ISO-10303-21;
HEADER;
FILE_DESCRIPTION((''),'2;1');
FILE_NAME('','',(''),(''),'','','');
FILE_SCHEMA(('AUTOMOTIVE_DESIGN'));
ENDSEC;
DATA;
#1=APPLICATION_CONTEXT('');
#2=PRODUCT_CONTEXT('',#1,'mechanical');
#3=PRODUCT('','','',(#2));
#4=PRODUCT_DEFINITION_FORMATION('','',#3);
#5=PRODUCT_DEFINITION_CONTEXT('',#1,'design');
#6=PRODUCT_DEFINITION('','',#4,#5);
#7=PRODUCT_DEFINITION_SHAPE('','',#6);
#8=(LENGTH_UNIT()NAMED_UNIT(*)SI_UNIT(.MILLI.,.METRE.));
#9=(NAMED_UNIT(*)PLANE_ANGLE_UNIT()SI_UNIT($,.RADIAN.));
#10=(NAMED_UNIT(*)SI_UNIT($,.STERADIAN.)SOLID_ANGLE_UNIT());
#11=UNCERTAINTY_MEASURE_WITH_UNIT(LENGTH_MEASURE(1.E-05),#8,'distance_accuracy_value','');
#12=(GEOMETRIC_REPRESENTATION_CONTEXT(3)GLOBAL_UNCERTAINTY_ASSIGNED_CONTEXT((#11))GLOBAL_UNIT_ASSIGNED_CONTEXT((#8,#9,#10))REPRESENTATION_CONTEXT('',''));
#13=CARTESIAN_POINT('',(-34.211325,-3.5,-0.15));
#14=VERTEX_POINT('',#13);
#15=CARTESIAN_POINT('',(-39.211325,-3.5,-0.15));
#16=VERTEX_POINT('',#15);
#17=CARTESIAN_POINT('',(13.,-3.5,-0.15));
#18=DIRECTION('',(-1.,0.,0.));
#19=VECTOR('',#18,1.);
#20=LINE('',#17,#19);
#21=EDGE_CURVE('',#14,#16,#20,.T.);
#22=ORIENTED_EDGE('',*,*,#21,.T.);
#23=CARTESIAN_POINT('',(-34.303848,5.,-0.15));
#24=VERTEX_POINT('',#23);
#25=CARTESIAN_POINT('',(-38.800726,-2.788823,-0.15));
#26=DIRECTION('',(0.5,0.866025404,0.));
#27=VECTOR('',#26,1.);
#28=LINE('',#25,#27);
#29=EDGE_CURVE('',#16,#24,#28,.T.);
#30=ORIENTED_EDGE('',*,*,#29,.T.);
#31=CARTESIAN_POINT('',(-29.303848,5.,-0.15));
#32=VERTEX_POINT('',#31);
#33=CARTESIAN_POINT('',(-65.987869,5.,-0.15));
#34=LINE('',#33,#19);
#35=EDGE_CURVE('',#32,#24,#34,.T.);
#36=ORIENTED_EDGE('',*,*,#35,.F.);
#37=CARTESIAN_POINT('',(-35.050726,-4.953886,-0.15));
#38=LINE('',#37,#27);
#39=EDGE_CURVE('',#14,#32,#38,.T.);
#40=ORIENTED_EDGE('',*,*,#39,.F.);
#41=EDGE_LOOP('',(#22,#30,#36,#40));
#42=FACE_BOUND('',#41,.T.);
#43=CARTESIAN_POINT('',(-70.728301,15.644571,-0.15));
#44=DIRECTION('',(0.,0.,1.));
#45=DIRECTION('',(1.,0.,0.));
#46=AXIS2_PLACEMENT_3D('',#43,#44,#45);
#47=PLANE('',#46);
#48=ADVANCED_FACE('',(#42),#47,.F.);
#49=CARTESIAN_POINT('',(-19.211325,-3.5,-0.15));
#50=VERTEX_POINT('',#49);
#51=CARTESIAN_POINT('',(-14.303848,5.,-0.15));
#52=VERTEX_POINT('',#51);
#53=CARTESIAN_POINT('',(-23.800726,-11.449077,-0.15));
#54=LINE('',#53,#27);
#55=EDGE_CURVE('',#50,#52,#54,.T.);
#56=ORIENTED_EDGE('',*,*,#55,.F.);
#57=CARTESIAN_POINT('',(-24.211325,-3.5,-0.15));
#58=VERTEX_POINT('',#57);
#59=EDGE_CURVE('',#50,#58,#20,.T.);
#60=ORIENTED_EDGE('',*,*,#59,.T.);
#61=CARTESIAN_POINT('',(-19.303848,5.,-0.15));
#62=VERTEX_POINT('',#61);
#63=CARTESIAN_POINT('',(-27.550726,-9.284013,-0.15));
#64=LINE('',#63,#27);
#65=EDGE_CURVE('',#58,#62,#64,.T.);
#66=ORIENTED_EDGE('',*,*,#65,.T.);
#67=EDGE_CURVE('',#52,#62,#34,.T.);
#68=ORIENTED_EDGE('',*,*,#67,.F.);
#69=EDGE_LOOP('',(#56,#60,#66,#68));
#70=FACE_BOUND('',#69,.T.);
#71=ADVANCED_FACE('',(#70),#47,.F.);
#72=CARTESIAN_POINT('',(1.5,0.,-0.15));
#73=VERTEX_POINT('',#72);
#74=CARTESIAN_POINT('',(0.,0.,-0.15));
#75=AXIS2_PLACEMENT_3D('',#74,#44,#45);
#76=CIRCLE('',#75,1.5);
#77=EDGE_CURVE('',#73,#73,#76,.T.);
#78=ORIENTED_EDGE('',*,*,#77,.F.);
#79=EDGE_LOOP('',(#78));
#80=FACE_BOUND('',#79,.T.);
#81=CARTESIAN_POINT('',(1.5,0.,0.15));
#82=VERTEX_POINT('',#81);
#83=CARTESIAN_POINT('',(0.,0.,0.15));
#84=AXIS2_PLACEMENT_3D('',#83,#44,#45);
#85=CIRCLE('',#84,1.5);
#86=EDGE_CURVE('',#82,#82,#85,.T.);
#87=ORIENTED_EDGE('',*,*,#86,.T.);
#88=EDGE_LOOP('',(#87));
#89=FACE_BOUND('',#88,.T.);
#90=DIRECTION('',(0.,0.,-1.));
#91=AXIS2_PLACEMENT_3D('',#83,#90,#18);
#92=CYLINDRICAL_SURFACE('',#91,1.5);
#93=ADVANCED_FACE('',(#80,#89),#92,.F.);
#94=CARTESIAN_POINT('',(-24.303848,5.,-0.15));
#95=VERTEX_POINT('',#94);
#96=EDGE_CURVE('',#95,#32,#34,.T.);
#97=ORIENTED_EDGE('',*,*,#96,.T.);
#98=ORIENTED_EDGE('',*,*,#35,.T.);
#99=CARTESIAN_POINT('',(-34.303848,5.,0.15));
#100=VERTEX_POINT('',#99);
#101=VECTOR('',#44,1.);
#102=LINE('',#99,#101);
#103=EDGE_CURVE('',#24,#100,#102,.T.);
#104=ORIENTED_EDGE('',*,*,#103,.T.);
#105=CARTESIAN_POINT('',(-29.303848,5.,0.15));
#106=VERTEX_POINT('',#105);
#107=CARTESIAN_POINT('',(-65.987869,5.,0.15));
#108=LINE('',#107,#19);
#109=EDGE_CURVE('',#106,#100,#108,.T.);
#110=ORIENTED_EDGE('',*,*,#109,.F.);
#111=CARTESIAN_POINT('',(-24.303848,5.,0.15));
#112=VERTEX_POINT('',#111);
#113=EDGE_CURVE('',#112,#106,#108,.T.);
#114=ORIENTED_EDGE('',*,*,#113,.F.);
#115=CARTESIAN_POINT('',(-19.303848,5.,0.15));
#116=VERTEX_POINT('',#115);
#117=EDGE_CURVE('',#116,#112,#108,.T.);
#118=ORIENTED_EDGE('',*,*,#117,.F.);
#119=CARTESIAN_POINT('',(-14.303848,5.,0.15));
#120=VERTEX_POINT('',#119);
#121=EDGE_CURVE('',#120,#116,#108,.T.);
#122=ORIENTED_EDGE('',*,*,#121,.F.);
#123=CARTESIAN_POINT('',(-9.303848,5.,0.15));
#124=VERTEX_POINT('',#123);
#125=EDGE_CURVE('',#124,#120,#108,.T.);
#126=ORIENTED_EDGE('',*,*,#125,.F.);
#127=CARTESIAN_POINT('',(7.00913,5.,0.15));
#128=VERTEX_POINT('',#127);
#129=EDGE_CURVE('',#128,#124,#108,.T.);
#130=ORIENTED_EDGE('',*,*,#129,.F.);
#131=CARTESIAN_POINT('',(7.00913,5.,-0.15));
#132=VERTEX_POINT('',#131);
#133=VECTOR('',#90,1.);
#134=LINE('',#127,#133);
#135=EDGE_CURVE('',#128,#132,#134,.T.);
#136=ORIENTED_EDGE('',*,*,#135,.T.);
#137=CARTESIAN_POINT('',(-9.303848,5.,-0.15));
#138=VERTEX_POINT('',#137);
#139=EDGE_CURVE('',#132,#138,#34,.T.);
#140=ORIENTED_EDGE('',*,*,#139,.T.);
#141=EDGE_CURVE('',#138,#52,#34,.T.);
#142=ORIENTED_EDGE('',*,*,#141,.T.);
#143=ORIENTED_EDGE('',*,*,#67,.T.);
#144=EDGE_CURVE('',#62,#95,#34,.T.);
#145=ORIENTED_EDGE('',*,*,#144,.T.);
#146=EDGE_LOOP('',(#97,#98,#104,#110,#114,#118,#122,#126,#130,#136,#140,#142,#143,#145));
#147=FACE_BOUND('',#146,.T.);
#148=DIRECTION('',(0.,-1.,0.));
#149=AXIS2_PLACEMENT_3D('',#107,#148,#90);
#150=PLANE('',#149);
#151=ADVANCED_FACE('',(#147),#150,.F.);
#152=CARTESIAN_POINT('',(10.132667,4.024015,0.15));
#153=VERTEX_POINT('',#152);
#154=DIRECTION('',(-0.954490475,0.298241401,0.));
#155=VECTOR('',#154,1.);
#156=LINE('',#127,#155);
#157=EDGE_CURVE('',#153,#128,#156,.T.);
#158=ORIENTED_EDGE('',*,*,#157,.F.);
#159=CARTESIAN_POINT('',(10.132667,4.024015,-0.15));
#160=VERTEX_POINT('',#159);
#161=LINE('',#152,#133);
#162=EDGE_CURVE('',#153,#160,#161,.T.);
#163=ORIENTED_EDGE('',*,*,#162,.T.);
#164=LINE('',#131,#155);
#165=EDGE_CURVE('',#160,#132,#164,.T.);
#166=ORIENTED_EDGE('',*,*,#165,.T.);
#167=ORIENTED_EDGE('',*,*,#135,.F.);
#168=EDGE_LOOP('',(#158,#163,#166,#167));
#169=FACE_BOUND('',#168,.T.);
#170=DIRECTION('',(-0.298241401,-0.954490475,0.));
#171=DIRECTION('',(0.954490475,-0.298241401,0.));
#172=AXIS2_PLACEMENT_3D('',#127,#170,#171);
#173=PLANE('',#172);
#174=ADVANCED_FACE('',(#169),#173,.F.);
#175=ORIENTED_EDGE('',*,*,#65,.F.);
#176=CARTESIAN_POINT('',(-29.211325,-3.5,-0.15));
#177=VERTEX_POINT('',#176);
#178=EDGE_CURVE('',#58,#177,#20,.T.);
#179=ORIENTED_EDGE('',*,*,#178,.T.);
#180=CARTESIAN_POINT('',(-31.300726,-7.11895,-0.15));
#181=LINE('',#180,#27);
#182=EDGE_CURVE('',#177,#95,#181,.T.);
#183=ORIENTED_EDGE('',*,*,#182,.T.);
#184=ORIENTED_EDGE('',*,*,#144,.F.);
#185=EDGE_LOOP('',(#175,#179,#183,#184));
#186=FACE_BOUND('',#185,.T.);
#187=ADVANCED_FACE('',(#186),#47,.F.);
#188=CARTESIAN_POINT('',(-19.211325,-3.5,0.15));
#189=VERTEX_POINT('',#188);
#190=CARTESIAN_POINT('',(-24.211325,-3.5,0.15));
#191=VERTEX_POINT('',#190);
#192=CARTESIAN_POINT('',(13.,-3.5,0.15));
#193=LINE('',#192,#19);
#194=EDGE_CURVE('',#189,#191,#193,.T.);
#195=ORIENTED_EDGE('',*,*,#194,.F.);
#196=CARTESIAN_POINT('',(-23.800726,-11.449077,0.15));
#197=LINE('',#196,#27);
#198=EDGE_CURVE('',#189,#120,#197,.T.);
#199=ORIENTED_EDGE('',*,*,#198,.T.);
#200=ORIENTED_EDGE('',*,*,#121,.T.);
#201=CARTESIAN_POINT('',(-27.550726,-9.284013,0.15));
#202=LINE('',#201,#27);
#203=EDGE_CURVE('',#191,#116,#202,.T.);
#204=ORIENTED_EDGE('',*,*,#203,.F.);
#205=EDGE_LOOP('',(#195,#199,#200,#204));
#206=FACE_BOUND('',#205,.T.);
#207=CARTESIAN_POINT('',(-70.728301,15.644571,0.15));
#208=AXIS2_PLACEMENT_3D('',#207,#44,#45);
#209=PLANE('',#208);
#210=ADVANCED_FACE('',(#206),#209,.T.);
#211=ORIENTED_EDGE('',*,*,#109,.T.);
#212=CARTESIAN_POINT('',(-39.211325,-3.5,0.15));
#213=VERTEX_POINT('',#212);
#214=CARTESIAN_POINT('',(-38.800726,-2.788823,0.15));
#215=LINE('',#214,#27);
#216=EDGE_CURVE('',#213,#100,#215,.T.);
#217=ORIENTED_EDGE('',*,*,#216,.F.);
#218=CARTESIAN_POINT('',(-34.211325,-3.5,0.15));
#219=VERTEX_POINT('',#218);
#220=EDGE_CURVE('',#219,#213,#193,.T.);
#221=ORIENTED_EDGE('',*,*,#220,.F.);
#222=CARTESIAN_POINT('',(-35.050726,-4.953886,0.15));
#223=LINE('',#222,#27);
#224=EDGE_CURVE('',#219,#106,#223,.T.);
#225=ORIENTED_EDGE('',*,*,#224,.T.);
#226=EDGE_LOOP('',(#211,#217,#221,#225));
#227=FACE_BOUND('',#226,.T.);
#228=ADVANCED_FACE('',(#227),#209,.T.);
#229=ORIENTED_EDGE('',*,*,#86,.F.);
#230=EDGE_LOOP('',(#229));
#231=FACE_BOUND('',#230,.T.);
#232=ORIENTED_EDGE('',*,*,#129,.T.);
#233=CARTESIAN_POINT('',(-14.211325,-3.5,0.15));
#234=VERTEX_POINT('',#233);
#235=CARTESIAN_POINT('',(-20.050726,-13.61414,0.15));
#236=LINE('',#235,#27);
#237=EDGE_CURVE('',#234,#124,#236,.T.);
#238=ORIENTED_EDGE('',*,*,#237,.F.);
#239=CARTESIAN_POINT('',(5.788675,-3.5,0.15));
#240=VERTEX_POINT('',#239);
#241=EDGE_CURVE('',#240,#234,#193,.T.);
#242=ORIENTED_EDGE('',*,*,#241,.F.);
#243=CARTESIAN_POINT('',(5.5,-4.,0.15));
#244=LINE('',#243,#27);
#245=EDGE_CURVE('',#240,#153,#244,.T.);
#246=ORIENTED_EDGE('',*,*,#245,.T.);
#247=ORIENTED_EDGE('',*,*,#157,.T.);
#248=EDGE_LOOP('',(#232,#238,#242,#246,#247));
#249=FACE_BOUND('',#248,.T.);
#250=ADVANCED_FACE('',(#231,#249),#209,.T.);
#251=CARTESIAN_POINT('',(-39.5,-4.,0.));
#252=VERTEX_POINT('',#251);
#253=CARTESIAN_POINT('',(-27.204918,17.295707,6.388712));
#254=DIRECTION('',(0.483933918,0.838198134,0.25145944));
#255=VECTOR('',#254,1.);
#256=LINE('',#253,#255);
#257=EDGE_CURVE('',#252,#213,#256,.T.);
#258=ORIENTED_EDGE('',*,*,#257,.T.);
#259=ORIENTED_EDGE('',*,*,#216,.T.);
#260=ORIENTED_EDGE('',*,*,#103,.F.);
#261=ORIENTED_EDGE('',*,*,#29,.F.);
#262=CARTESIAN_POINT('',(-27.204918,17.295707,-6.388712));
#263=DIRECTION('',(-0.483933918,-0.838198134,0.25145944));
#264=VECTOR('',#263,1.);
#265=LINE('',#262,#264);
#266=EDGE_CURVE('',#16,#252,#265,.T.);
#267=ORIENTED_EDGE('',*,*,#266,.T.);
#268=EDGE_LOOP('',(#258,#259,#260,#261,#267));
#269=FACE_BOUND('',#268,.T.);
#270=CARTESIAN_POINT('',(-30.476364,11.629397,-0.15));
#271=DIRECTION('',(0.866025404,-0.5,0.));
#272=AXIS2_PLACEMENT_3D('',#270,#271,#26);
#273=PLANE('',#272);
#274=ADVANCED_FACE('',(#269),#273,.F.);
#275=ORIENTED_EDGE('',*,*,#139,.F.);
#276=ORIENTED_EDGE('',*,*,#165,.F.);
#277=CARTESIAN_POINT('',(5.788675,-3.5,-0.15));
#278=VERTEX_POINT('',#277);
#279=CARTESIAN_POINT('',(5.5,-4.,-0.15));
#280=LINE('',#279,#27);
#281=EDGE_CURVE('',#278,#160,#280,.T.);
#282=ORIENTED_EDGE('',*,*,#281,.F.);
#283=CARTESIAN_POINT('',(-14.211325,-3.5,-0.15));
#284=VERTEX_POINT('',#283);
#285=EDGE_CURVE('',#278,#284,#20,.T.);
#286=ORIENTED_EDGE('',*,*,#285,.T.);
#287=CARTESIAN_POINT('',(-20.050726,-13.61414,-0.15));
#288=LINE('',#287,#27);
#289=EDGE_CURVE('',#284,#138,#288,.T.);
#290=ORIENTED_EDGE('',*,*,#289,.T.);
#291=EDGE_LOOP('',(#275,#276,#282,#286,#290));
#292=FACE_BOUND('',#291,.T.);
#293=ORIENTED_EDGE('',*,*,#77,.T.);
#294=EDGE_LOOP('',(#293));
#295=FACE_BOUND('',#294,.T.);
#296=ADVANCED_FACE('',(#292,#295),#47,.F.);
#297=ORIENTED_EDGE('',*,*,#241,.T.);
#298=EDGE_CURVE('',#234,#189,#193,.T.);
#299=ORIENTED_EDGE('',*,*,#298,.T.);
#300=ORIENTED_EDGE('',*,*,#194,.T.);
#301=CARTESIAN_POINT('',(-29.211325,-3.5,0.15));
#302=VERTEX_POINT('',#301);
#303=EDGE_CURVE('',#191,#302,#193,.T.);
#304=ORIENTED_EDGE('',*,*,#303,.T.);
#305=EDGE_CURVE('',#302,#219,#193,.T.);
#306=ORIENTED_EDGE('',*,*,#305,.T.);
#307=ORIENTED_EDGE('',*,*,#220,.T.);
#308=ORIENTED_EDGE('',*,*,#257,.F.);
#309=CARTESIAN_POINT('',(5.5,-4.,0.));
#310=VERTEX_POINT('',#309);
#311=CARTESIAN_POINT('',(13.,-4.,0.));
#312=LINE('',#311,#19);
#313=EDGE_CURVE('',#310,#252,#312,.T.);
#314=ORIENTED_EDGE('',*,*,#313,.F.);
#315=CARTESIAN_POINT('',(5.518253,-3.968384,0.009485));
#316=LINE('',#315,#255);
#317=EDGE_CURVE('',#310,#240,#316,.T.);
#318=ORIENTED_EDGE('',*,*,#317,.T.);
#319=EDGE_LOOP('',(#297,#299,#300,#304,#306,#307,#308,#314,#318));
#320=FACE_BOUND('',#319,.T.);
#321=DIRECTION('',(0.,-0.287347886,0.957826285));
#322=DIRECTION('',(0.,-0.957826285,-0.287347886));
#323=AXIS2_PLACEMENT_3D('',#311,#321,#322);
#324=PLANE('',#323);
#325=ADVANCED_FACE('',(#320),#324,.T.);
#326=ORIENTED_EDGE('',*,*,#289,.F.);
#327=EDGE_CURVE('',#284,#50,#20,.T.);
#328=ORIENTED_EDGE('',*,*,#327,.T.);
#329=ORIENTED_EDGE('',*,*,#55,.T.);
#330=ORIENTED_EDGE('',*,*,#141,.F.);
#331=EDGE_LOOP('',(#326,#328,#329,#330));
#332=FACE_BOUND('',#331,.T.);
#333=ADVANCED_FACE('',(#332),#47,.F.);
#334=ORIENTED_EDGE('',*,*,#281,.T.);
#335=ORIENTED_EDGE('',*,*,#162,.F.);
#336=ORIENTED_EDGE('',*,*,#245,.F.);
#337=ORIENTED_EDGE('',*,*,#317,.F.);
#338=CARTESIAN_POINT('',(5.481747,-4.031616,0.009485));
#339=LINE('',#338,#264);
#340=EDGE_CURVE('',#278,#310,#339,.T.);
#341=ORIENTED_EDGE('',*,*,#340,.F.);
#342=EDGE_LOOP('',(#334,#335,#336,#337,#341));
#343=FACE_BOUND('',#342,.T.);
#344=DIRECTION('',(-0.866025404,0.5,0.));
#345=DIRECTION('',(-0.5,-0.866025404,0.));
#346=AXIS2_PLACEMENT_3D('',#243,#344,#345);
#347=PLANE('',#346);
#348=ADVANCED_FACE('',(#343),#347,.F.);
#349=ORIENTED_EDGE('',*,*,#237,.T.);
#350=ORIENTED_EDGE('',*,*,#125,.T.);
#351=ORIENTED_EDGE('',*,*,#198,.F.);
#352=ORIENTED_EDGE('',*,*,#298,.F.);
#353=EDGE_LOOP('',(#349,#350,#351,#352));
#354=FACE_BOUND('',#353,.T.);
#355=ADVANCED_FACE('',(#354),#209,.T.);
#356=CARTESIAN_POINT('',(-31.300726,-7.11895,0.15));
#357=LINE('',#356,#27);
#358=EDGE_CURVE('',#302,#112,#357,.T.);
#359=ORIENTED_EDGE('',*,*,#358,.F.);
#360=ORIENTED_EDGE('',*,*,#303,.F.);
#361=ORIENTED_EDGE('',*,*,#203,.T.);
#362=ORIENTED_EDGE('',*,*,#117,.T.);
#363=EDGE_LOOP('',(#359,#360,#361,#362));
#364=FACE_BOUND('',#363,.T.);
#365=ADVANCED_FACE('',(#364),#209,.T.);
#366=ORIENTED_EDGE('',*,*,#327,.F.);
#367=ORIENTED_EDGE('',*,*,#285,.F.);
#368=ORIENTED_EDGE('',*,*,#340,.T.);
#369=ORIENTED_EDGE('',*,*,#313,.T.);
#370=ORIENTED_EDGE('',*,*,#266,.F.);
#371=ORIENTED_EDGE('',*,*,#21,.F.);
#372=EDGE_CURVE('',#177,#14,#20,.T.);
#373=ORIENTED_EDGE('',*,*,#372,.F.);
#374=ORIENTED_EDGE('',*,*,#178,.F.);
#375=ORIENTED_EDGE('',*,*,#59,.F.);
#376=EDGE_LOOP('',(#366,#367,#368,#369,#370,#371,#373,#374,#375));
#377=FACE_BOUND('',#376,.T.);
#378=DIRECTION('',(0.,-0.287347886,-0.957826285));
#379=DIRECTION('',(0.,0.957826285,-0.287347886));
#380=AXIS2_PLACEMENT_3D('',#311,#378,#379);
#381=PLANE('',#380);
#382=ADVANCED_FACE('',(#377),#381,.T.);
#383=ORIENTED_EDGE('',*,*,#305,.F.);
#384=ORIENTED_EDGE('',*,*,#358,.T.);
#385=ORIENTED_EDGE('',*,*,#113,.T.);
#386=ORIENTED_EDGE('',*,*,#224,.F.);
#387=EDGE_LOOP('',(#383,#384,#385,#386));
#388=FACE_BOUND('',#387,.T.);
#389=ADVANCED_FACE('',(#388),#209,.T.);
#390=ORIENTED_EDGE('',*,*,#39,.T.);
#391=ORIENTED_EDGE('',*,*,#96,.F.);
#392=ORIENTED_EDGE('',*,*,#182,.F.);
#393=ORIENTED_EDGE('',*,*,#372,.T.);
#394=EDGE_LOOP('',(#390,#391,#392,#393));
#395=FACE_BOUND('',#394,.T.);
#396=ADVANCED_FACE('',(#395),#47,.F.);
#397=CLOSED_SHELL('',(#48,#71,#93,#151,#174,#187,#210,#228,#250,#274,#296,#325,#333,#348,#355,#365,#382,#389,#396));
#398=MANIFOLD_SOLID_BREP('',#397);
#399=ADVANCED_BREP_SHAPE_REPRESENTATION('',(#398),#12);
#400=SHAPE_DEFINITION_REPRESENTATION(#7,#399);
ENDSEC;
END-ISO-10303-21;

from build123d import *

# Parameters (mm, degrees)
SKETCH_1_R               = 1.5
EXTRUDE_1_DEPTH          = 0.15
CUT_EXTRUDE_1_DEPTH      = 13
CUT_EXTRUDE_1_DEPTH_BACK = 80.3
CUT_EXTRUDE_2_DEPTH      = 1.3


with BuildPart() as part:
    # 草图1 → 凸台-拉伸1 (new body, symmetric)
    with BuildSketch(Plane.XY):
        with BuildLine():
            Line((-74.5, -4), (5.5, -4))
            Line((5.5, -4), (10.132667282, 4.024015107))
            Line((10.132667282, 4.024015107), (7.009129504, 5))
            Line((7.009129504, 5), (-65.987869266, 5))
            ThreePointArc((-65.987869266, 5), (-67.885405091, 4.344282156), (-69.867332718, 4.024015107))
            Line((-69.867332718, 4.024015107), (-74.5, -4))
        make_face()
        Circle(SKETCH_1_R, mode=Mode.SUBTRACT)
    extrude(amount=EXTRUDE_1_DEPTH, both=True)

    # 草图3 → 切除-拉伸1 (cut, two sides)
    with BuildSketch(Plane(origin=(0, 0, 0), x_dir=(0, 0, -1), z_dir=(1, 0, 0))) as cut_extrude_1_sk:
        Polygon((0, -4), (-0.15, -3.5), (-0.747270974, -4.330450708), (0.60266722, -4.330450708), (0.15, -3.5), align=None)
    extrude(amount=CUT_EXTRUDE_1_DEPTH, mode=Mode.SUBTRACT)
    extrude(cut_extrude_1_sk.sketch, amount=-CUT_EXTRUDE_1_DEPTH_BACK, mode=Mode.SUBTRACT)

    # 草图7 → 切除-拉伸2 (cut, through all)
    with BuildSketch(Plane.XY.offset(0.15)):
        Polygon((-30.476363603, 11.629396709), (-39.5, -4), (-74.5, -4), (-62.953845349, 15.998526488), align=None)
    extrude(amount=-CUT_EXTRUDE_2_DEPTH, mode=Mode.SUBTRACT)


solid = part.part
